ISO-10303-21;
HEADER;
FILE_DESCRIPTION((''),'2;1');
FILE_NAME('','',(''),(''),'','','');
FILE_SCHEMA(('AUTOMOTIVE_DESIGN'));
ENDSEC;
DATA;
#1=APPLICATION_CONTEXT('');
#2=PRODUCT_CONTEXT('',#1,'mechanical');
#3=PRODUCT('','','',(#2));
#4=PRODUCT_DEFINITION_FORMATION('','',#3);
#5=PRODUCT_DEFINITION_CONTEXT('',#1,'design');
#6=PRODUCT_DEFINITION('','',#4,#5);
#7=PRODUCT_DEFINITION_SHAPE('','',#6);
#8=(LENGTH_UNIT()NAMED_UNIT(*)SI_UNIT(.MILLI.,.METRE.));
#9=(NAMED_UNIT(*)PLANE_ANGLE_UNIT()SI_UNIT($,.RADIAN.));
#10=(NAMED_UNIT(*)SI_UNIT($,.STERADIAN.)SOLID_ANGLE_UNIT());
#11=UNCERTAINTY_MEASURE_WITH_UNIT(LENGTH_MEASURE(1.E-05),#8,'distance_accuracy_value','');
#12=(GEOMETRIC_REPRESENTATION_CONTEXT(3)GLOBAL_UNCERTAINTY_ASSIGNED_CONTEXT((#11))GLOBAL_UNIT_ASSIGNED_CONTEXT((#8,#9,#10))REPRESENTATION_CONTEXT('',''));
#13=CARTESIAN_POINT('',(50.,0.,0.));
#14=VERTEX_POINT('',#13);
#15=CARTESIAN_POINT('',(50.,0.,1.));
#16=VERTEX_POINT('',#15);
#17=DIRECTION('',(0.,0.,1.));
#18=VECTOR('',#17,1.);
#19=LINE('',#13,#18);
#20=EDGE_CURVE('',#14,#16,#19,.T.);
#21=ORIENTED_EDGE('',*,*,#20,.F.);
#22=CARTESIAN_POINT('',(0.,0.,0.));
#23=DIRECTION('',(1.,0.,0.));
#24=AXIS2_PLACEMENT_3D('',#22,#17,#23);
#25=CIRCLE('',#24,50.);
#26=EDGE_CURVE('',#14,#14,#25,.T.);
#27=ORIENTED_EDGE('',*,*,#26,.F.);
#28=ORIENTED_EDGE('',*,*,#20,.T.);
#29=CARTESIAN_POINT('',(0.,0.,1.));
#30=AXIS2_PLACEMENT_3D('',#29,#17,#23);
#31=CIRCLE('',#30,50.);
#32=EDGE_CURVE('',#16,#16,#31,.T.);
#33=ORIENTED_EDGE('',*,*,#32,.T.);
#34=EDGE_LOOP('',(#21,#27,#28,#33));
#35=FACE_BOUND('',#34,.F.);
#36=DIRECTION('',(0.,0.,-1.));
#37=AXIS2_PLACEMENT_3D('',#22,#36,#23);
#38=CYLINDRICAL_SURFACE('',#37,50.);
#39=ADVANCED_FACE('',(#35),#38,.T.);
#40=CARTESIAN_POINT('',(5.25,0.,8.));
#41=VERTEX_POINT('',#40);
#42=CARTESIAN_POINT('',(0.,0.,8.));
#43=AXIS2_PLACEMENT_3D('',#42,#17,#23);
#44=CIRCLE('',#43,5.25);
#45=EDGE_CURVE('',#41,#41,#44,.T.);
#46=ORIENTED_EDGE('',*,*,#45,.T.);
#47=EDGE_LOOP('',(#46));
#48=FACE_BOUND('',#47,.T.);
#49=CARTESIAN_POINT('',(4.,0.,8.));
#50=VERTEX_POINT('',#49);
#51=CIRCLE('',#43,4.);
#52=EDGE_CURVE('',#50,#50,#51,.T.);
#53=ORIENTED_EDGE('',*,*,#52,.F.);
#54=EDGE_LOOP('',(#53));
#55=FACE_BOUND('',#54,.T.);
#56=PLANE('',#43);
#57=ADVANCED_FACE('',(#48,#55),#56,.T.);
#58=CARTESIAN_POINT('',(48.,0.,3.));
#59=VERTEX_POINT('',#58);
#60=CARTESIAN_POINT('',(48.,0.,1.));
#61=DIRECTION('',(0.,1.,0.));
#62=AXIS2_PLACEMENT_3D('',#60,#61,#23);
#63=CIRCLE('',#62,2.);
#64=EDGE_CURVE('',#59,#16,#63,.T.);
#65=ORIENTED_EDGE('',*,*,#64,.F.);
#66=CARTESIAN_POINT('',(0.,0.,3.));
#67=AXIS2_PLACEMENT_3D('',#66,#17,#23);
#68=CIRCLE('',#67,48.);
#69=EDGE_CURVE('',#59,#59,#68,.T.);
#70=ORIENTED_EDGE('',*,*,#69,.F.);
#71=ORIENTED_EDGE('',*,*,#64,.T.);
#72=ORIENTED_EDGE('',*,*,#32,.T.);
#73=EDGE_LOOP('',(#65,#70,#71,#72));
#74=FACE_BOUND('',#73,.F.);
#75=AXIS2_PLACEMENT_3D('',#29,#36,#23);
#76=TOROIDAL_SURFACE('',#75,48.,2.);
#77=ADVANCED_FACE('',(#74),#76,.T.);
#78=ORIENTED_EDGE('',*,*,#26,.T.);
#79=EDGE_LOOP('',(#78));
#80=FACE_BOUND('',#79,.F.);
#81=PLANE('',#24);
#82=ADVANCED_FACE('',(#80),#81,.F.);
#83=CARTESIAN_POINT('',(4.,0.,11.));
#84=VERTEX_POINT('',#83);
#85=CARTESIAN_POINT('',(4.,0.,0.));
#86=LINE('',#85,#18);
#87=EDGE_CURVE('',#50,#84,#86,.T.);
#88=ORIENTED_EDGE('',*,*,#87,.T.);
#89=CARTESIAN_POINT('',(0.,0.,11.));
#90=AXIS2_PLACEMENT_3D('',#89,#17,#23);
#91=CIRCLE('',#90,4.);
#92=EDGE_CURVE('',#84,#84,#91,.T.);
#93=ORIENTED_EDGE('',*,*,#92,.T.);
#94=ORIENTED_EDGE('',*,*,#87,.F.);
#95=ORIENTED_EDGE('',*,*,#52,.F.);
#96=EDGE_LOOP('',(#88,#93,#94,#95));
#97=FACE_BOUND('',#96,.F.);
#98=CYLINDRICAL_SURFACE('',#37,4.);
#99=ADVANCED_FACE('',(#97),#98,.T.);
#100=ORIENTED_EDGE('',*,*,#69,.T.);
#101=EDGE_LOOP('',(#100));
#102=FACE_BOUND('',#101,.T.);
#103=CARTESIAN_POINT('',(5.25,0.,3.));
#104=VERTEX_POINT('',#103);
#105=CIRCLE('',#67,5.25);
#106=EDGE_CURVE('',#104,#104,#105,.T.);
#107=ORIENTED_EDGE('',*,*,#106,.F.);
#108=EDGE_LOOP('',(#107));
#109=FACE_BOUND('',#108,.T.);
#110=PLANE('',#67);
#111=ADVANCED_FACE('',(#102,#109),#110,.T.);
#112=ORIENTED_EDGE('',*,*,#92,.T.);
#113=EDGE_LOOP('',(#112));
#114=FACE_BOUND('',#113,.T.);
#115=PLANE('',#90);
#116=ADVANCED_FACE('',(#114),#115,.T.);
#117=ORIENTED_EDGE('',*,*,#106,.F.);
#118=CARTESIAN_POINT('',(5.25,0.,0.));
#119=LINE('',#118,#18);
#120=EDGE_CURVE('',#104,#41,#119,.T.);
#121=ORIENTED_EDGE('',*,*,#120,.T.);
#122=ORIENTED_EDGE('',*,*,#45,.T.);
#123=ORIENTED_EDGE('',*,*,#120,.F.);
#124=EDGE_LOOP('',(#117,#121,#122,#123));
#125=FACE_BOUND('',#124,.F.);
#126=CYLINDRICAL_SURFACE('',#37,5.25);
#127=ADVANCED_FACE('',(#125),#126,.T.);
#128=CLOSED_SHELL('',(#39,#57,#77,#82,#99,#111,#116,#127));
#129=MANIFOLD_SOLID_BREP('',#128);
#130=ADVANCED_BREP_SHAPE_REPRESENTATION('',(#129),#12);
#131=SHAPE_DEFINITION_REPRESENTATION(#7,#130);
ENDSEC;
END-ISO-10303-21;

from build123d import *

# Parameters (mm, degrees)
F0_R     = 50
F0_R_2   = 5.25
F1_DEPTH = 3
F0_R_3   = 4
F2_DEPTH = 8
F3_DEPTH = 11
F4_R     = 2


with BuildPart() as f1:
    # F0 (on Top) → F1 (new body)
    with BuildSketch(Plane.XY):
        Circle(F0_R)
        Circle(F0_R_2, mode=Mode.SUBTRACT)
    extrude(amount=F1_DEPTH)

    # F0 (on Top) → F2 (join)
    with BuildSketch(Plane.XY):
        Circle(F0_R_2)
        Circle(F0_R_3, mode=Mode.SUBTRACT)
    extrude(amount=F2_DEPTH)

    # F0 (on Top) → F3 (join)
    with BuildSketch(Plane.XY):
        Circle(F0_R_3)
    extrude(amount=F3_DEPTH)

    # F4
    f4_edges = [f1.edges().sort_by_distance(p)[0] for p in [
        (-50, 0, 3),
    ]]
    fillet(f4_edges, radius=F4_R)


solid = f1.part
